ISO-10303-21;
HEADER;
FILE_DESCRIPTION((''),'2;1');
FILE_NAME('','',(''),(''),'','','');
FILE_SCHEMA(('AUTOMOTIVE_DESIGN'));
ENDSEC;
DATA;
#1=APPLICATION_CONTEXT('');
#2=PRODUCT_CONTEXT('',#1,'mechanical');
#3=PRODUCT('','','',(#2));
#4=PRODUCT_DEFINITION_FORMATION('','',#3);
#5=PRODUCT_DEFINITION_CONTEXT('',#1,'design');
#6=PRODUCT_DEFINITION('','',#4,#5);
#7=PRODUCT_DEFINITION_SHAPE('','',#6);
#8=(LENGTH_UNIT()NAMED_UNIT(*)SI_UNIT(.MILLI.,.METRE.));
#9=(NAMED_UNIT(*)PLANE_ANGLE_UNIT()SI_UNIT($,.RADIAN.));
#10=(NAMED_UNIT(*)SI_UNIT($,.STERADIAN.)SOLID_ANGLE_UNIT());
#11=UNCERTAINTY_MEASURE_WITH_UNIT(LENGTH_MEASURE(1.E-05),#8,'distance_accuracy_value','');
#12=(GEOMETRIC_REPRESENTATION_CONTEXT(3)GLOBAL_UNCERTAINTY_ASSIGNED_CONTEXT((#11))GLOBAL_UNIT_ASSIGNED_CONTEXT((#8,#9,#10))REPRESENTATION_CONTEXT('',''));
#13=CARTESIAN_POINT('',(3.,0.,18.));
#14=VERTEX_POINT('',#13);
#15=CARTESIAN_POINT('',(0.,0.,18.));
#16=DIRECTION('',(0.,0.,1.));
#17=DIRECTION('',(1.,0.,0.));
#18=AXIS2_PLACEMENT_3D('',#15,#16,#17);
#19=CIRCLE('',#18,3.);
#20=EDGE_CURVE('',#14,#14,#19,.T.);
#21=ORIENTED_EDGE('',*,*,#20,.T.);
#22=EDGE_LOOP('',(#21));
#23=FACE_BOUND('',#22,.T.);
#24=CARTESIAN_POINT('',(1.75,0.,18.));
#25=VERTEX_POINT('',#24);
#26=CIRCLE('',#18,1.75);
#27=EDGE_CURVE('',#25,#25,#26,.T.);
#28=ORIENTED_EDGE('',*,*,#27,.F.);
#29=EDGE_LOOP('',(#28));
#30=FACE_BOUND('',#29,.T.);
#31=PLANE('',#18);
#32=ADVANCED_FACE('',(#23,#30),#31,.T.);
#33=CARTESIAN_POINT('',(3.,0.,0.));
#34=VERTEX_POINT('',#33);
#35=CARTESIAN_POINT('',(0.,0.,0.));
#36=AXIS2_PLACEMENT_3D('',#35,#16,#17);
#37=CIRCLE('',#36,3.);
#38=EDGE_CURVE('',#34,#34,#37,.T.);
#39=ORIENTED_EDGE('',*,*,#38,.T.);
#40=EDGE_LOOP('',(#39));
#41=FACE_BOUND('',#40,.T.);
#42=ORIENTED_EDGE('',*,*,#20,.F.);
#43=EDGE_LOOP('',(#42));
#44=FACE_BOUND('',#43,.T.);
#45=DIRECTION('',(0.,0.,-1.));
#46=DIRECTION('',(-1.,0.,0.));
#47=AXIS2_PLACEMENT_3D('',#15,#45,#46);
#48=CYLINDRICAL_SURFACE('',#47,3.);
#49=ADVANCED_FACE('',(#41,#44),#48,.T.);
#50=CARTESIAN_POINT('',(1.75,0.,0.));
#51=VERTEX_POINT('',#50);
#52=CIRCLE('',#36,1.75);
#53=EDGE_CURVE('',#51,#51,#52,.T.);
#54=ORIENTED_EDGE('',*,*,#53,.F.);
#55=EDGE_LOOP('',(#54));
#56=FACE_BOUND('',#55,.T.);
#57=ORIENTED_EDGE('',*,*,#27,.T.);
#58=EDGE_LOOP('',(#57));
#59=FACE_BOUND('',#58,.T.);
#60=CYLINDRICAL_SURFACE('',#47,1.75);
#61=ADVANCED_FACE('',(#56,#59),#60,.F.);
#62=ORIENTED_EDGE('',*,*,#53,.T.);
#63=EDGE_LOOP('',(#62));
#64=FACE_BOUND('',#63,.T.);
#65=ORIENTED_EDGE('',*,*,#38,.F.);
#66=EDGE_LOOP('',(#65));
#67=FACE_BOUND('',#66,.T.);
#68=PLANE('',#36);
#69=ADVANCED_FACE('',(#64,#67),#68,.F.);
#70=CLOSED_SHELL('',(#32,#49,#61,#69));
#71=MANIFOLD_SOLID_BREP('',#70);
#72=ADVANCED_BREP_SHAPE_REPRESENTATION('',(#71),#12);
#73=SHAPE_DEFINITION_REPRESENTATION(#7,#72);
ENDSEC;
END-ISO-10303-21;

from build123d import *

# Parameters (mm, degrees)
SCHIZZO1_R                   = 3
SCHIZZO1_R_2                 = 1.75
ESTRUSIONE_ESTRUSIONE1_DEPTH = 18


with BuildPart() as part:
    # Schizzo1 → Estrusione-Estrusione1 (new body)
    with BuildSketch(Plane.XY):
        Circle(SCHIZZO1_R)
        Circle(SCHIZZO1_R_2, mode=Mode.SUBTRACT)
    extrude(amount=ESTRUSIONE_ESTRUSIONE1_DEPTH)


solid = part.part
